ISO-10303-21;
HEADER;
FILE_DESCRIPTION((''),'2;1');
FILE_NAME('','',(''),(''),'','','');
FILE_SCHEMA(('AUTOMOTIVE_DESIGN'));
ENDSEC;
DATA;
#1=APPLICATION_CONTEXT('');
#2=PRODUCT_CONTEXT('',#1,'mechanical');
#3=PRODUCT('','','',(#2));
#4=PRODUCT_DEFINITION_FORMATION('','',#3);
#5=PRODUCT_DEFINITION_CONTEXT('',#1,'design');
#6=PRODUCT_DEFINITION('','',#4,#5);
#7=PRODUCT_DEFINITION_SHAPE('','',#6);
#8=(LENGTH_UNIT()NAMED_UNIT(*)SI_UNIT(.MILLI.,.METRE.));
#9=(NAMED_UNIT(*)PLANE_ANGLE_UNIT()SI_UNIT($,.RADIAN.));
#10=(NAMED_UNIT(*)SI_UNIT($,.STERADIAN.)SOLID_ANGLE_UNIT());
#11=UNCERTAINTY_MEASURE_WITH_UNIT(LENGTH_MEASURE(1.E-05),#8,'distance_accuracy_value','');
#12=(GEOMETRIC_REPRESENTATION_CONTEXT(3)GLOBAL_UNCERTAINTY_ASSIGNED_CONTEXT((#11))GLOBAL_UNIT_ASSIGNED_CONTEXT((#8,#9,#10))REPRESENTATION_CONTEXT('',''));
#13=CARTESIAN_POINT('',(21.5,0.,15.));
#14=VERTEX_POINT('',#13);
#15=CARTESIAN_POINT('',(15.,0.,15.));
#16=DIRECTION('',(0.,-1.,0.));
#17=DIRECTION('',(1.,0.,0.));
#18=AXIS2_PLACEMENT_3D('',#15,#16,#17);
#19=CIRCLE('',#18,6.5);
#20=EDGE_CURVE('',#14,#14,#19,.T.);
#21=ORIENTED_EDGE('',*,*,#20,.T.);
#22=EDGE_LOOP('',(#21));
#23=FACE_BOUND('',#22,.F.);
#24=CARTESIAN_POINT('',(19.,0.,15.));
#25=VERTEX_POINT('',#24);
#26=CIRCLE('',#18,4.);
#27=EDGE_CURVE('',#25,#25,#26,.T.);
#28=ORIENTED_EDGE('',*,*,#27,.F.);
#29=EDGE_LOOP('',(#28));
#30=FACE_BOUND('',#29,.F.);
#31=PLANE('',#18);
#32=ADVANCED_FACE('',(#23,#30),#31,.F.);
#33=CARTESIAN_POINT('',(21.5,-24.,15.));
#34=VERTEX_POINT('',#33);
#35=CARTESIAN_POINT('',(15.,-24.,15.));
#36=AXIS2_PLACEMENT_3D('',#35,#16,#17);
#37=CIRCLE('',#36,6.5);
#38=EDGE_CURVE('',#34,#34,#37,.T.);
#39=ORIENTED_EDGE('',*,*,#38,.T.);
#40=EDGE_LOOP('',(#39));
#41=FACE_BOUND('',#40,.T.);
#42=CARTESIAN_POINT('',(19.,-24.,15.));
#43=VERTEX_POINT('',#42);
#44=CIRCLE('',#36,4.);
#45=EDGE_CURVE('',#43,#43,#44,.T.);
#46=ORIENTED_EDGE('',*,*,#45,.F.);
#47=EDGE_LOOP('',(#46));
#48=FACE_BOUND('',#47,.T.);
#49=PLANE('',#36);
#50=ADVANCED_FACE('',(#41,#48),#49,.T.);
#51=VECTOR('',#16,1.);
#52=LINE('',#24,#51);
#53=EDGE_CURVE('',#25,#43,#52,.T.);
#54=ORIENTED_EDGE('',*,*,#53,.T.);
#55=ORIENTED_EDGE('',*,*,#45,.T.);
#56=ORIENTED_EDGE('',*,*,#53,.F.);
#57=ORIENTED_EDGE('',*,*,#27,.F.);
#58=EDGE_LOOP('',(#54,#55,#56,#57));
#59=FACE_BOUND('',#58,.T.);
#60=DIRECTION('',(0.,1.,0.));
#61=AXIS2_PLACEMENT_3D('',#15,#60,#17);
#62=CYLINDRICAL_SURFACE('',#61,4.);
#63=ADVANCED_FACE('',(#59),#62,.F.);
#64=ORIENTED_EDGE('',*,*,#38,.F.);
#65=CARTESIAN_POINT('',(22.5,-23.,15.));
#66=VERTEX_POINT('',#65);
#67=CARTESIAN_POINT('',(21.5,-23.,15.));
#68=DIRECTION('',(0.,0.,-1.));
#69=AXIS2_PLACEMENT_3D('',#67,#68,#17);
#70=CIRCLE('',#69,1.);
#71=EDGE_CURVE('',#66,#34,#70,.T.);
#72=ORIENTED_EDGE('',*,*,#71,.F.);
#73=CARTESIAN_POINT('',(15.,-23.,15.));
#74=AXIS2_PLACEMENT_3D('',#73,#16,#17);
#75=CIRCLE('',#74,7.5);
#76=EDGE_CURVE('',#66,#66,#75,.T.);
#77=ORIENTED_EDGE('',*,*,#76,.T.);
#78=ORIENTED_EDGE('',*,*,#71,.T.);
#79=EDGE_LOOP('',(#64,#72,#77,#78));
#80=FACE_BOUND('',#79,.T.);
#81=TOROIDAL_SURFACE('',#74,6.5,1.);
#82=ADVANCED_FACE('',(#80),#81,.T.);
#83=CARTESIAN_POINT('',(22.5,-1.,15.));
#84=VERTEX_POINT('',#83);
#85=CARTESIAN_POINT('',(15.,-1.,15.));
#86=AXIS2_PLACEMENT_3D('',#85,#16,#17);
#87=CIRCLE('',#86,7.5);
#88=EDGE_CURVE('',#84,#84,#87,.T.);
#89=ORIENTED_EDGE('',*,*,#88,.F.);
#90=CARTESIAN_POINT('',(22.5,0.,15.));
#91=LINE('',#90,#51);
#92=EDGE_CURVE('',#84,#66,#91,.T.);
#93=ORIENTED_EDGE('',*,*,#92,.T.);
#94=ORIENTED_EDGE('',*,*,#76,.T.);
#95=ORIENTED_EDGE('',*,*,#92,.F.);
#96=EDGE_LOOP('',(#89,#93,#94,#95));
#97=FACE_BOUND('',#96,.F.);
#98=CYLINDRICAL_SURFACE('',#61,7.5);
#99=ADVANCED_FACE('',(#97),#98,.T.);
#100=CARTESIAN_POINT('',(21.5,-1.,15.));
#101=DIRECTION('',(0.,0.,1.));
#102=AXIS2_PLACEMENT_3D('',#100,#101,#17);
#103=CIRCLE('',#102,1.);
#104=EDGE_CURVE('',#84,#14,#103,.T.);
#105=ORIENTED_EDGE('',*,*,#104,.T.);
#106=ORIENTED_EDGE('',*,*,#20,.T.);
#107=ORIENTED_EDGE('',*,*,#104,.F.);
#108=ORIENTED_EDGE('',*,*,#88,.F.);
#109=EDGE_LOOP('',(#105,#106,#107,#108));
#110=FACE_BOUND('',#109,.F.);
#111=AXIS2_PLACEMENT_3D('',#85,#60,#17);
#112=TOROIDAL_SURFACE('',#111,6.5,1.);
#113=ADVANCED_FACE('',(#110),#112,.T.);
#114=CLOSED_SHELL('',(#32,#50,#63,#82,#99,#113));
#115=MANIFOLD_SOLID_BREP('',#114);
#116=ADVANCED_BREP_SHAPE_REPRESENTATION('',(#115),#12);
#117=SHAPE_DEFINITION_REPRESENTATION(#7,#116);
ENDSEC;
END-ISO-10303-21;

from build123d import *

# Parameters (mm, degrees)
F0_R     = 7.5
F0_R_2   = 4
F1_DEPTH = 24
F2_R     = 1


with BuildPart() as f1:
    # F0 (on Front) → F1 (new body)
    with BuildSketch(Plane.XZ):
        with Locations((15, 15)):
            Circle(F0_R)
        with Locations((15, 15)):
            Circle(F0_R_2, mode=Mode.SUBTRACT)
    extrude(amount=F1_DEPTH)

    # F2
    f2_edges = [f1.edges().sort_by_distance(p)[0] for p in [
        (7.5, -24, 15),
        (7.5, 0, 15),
    ]]
    fillet(f2_edges, radius=F2_R)


solid = f1.part
